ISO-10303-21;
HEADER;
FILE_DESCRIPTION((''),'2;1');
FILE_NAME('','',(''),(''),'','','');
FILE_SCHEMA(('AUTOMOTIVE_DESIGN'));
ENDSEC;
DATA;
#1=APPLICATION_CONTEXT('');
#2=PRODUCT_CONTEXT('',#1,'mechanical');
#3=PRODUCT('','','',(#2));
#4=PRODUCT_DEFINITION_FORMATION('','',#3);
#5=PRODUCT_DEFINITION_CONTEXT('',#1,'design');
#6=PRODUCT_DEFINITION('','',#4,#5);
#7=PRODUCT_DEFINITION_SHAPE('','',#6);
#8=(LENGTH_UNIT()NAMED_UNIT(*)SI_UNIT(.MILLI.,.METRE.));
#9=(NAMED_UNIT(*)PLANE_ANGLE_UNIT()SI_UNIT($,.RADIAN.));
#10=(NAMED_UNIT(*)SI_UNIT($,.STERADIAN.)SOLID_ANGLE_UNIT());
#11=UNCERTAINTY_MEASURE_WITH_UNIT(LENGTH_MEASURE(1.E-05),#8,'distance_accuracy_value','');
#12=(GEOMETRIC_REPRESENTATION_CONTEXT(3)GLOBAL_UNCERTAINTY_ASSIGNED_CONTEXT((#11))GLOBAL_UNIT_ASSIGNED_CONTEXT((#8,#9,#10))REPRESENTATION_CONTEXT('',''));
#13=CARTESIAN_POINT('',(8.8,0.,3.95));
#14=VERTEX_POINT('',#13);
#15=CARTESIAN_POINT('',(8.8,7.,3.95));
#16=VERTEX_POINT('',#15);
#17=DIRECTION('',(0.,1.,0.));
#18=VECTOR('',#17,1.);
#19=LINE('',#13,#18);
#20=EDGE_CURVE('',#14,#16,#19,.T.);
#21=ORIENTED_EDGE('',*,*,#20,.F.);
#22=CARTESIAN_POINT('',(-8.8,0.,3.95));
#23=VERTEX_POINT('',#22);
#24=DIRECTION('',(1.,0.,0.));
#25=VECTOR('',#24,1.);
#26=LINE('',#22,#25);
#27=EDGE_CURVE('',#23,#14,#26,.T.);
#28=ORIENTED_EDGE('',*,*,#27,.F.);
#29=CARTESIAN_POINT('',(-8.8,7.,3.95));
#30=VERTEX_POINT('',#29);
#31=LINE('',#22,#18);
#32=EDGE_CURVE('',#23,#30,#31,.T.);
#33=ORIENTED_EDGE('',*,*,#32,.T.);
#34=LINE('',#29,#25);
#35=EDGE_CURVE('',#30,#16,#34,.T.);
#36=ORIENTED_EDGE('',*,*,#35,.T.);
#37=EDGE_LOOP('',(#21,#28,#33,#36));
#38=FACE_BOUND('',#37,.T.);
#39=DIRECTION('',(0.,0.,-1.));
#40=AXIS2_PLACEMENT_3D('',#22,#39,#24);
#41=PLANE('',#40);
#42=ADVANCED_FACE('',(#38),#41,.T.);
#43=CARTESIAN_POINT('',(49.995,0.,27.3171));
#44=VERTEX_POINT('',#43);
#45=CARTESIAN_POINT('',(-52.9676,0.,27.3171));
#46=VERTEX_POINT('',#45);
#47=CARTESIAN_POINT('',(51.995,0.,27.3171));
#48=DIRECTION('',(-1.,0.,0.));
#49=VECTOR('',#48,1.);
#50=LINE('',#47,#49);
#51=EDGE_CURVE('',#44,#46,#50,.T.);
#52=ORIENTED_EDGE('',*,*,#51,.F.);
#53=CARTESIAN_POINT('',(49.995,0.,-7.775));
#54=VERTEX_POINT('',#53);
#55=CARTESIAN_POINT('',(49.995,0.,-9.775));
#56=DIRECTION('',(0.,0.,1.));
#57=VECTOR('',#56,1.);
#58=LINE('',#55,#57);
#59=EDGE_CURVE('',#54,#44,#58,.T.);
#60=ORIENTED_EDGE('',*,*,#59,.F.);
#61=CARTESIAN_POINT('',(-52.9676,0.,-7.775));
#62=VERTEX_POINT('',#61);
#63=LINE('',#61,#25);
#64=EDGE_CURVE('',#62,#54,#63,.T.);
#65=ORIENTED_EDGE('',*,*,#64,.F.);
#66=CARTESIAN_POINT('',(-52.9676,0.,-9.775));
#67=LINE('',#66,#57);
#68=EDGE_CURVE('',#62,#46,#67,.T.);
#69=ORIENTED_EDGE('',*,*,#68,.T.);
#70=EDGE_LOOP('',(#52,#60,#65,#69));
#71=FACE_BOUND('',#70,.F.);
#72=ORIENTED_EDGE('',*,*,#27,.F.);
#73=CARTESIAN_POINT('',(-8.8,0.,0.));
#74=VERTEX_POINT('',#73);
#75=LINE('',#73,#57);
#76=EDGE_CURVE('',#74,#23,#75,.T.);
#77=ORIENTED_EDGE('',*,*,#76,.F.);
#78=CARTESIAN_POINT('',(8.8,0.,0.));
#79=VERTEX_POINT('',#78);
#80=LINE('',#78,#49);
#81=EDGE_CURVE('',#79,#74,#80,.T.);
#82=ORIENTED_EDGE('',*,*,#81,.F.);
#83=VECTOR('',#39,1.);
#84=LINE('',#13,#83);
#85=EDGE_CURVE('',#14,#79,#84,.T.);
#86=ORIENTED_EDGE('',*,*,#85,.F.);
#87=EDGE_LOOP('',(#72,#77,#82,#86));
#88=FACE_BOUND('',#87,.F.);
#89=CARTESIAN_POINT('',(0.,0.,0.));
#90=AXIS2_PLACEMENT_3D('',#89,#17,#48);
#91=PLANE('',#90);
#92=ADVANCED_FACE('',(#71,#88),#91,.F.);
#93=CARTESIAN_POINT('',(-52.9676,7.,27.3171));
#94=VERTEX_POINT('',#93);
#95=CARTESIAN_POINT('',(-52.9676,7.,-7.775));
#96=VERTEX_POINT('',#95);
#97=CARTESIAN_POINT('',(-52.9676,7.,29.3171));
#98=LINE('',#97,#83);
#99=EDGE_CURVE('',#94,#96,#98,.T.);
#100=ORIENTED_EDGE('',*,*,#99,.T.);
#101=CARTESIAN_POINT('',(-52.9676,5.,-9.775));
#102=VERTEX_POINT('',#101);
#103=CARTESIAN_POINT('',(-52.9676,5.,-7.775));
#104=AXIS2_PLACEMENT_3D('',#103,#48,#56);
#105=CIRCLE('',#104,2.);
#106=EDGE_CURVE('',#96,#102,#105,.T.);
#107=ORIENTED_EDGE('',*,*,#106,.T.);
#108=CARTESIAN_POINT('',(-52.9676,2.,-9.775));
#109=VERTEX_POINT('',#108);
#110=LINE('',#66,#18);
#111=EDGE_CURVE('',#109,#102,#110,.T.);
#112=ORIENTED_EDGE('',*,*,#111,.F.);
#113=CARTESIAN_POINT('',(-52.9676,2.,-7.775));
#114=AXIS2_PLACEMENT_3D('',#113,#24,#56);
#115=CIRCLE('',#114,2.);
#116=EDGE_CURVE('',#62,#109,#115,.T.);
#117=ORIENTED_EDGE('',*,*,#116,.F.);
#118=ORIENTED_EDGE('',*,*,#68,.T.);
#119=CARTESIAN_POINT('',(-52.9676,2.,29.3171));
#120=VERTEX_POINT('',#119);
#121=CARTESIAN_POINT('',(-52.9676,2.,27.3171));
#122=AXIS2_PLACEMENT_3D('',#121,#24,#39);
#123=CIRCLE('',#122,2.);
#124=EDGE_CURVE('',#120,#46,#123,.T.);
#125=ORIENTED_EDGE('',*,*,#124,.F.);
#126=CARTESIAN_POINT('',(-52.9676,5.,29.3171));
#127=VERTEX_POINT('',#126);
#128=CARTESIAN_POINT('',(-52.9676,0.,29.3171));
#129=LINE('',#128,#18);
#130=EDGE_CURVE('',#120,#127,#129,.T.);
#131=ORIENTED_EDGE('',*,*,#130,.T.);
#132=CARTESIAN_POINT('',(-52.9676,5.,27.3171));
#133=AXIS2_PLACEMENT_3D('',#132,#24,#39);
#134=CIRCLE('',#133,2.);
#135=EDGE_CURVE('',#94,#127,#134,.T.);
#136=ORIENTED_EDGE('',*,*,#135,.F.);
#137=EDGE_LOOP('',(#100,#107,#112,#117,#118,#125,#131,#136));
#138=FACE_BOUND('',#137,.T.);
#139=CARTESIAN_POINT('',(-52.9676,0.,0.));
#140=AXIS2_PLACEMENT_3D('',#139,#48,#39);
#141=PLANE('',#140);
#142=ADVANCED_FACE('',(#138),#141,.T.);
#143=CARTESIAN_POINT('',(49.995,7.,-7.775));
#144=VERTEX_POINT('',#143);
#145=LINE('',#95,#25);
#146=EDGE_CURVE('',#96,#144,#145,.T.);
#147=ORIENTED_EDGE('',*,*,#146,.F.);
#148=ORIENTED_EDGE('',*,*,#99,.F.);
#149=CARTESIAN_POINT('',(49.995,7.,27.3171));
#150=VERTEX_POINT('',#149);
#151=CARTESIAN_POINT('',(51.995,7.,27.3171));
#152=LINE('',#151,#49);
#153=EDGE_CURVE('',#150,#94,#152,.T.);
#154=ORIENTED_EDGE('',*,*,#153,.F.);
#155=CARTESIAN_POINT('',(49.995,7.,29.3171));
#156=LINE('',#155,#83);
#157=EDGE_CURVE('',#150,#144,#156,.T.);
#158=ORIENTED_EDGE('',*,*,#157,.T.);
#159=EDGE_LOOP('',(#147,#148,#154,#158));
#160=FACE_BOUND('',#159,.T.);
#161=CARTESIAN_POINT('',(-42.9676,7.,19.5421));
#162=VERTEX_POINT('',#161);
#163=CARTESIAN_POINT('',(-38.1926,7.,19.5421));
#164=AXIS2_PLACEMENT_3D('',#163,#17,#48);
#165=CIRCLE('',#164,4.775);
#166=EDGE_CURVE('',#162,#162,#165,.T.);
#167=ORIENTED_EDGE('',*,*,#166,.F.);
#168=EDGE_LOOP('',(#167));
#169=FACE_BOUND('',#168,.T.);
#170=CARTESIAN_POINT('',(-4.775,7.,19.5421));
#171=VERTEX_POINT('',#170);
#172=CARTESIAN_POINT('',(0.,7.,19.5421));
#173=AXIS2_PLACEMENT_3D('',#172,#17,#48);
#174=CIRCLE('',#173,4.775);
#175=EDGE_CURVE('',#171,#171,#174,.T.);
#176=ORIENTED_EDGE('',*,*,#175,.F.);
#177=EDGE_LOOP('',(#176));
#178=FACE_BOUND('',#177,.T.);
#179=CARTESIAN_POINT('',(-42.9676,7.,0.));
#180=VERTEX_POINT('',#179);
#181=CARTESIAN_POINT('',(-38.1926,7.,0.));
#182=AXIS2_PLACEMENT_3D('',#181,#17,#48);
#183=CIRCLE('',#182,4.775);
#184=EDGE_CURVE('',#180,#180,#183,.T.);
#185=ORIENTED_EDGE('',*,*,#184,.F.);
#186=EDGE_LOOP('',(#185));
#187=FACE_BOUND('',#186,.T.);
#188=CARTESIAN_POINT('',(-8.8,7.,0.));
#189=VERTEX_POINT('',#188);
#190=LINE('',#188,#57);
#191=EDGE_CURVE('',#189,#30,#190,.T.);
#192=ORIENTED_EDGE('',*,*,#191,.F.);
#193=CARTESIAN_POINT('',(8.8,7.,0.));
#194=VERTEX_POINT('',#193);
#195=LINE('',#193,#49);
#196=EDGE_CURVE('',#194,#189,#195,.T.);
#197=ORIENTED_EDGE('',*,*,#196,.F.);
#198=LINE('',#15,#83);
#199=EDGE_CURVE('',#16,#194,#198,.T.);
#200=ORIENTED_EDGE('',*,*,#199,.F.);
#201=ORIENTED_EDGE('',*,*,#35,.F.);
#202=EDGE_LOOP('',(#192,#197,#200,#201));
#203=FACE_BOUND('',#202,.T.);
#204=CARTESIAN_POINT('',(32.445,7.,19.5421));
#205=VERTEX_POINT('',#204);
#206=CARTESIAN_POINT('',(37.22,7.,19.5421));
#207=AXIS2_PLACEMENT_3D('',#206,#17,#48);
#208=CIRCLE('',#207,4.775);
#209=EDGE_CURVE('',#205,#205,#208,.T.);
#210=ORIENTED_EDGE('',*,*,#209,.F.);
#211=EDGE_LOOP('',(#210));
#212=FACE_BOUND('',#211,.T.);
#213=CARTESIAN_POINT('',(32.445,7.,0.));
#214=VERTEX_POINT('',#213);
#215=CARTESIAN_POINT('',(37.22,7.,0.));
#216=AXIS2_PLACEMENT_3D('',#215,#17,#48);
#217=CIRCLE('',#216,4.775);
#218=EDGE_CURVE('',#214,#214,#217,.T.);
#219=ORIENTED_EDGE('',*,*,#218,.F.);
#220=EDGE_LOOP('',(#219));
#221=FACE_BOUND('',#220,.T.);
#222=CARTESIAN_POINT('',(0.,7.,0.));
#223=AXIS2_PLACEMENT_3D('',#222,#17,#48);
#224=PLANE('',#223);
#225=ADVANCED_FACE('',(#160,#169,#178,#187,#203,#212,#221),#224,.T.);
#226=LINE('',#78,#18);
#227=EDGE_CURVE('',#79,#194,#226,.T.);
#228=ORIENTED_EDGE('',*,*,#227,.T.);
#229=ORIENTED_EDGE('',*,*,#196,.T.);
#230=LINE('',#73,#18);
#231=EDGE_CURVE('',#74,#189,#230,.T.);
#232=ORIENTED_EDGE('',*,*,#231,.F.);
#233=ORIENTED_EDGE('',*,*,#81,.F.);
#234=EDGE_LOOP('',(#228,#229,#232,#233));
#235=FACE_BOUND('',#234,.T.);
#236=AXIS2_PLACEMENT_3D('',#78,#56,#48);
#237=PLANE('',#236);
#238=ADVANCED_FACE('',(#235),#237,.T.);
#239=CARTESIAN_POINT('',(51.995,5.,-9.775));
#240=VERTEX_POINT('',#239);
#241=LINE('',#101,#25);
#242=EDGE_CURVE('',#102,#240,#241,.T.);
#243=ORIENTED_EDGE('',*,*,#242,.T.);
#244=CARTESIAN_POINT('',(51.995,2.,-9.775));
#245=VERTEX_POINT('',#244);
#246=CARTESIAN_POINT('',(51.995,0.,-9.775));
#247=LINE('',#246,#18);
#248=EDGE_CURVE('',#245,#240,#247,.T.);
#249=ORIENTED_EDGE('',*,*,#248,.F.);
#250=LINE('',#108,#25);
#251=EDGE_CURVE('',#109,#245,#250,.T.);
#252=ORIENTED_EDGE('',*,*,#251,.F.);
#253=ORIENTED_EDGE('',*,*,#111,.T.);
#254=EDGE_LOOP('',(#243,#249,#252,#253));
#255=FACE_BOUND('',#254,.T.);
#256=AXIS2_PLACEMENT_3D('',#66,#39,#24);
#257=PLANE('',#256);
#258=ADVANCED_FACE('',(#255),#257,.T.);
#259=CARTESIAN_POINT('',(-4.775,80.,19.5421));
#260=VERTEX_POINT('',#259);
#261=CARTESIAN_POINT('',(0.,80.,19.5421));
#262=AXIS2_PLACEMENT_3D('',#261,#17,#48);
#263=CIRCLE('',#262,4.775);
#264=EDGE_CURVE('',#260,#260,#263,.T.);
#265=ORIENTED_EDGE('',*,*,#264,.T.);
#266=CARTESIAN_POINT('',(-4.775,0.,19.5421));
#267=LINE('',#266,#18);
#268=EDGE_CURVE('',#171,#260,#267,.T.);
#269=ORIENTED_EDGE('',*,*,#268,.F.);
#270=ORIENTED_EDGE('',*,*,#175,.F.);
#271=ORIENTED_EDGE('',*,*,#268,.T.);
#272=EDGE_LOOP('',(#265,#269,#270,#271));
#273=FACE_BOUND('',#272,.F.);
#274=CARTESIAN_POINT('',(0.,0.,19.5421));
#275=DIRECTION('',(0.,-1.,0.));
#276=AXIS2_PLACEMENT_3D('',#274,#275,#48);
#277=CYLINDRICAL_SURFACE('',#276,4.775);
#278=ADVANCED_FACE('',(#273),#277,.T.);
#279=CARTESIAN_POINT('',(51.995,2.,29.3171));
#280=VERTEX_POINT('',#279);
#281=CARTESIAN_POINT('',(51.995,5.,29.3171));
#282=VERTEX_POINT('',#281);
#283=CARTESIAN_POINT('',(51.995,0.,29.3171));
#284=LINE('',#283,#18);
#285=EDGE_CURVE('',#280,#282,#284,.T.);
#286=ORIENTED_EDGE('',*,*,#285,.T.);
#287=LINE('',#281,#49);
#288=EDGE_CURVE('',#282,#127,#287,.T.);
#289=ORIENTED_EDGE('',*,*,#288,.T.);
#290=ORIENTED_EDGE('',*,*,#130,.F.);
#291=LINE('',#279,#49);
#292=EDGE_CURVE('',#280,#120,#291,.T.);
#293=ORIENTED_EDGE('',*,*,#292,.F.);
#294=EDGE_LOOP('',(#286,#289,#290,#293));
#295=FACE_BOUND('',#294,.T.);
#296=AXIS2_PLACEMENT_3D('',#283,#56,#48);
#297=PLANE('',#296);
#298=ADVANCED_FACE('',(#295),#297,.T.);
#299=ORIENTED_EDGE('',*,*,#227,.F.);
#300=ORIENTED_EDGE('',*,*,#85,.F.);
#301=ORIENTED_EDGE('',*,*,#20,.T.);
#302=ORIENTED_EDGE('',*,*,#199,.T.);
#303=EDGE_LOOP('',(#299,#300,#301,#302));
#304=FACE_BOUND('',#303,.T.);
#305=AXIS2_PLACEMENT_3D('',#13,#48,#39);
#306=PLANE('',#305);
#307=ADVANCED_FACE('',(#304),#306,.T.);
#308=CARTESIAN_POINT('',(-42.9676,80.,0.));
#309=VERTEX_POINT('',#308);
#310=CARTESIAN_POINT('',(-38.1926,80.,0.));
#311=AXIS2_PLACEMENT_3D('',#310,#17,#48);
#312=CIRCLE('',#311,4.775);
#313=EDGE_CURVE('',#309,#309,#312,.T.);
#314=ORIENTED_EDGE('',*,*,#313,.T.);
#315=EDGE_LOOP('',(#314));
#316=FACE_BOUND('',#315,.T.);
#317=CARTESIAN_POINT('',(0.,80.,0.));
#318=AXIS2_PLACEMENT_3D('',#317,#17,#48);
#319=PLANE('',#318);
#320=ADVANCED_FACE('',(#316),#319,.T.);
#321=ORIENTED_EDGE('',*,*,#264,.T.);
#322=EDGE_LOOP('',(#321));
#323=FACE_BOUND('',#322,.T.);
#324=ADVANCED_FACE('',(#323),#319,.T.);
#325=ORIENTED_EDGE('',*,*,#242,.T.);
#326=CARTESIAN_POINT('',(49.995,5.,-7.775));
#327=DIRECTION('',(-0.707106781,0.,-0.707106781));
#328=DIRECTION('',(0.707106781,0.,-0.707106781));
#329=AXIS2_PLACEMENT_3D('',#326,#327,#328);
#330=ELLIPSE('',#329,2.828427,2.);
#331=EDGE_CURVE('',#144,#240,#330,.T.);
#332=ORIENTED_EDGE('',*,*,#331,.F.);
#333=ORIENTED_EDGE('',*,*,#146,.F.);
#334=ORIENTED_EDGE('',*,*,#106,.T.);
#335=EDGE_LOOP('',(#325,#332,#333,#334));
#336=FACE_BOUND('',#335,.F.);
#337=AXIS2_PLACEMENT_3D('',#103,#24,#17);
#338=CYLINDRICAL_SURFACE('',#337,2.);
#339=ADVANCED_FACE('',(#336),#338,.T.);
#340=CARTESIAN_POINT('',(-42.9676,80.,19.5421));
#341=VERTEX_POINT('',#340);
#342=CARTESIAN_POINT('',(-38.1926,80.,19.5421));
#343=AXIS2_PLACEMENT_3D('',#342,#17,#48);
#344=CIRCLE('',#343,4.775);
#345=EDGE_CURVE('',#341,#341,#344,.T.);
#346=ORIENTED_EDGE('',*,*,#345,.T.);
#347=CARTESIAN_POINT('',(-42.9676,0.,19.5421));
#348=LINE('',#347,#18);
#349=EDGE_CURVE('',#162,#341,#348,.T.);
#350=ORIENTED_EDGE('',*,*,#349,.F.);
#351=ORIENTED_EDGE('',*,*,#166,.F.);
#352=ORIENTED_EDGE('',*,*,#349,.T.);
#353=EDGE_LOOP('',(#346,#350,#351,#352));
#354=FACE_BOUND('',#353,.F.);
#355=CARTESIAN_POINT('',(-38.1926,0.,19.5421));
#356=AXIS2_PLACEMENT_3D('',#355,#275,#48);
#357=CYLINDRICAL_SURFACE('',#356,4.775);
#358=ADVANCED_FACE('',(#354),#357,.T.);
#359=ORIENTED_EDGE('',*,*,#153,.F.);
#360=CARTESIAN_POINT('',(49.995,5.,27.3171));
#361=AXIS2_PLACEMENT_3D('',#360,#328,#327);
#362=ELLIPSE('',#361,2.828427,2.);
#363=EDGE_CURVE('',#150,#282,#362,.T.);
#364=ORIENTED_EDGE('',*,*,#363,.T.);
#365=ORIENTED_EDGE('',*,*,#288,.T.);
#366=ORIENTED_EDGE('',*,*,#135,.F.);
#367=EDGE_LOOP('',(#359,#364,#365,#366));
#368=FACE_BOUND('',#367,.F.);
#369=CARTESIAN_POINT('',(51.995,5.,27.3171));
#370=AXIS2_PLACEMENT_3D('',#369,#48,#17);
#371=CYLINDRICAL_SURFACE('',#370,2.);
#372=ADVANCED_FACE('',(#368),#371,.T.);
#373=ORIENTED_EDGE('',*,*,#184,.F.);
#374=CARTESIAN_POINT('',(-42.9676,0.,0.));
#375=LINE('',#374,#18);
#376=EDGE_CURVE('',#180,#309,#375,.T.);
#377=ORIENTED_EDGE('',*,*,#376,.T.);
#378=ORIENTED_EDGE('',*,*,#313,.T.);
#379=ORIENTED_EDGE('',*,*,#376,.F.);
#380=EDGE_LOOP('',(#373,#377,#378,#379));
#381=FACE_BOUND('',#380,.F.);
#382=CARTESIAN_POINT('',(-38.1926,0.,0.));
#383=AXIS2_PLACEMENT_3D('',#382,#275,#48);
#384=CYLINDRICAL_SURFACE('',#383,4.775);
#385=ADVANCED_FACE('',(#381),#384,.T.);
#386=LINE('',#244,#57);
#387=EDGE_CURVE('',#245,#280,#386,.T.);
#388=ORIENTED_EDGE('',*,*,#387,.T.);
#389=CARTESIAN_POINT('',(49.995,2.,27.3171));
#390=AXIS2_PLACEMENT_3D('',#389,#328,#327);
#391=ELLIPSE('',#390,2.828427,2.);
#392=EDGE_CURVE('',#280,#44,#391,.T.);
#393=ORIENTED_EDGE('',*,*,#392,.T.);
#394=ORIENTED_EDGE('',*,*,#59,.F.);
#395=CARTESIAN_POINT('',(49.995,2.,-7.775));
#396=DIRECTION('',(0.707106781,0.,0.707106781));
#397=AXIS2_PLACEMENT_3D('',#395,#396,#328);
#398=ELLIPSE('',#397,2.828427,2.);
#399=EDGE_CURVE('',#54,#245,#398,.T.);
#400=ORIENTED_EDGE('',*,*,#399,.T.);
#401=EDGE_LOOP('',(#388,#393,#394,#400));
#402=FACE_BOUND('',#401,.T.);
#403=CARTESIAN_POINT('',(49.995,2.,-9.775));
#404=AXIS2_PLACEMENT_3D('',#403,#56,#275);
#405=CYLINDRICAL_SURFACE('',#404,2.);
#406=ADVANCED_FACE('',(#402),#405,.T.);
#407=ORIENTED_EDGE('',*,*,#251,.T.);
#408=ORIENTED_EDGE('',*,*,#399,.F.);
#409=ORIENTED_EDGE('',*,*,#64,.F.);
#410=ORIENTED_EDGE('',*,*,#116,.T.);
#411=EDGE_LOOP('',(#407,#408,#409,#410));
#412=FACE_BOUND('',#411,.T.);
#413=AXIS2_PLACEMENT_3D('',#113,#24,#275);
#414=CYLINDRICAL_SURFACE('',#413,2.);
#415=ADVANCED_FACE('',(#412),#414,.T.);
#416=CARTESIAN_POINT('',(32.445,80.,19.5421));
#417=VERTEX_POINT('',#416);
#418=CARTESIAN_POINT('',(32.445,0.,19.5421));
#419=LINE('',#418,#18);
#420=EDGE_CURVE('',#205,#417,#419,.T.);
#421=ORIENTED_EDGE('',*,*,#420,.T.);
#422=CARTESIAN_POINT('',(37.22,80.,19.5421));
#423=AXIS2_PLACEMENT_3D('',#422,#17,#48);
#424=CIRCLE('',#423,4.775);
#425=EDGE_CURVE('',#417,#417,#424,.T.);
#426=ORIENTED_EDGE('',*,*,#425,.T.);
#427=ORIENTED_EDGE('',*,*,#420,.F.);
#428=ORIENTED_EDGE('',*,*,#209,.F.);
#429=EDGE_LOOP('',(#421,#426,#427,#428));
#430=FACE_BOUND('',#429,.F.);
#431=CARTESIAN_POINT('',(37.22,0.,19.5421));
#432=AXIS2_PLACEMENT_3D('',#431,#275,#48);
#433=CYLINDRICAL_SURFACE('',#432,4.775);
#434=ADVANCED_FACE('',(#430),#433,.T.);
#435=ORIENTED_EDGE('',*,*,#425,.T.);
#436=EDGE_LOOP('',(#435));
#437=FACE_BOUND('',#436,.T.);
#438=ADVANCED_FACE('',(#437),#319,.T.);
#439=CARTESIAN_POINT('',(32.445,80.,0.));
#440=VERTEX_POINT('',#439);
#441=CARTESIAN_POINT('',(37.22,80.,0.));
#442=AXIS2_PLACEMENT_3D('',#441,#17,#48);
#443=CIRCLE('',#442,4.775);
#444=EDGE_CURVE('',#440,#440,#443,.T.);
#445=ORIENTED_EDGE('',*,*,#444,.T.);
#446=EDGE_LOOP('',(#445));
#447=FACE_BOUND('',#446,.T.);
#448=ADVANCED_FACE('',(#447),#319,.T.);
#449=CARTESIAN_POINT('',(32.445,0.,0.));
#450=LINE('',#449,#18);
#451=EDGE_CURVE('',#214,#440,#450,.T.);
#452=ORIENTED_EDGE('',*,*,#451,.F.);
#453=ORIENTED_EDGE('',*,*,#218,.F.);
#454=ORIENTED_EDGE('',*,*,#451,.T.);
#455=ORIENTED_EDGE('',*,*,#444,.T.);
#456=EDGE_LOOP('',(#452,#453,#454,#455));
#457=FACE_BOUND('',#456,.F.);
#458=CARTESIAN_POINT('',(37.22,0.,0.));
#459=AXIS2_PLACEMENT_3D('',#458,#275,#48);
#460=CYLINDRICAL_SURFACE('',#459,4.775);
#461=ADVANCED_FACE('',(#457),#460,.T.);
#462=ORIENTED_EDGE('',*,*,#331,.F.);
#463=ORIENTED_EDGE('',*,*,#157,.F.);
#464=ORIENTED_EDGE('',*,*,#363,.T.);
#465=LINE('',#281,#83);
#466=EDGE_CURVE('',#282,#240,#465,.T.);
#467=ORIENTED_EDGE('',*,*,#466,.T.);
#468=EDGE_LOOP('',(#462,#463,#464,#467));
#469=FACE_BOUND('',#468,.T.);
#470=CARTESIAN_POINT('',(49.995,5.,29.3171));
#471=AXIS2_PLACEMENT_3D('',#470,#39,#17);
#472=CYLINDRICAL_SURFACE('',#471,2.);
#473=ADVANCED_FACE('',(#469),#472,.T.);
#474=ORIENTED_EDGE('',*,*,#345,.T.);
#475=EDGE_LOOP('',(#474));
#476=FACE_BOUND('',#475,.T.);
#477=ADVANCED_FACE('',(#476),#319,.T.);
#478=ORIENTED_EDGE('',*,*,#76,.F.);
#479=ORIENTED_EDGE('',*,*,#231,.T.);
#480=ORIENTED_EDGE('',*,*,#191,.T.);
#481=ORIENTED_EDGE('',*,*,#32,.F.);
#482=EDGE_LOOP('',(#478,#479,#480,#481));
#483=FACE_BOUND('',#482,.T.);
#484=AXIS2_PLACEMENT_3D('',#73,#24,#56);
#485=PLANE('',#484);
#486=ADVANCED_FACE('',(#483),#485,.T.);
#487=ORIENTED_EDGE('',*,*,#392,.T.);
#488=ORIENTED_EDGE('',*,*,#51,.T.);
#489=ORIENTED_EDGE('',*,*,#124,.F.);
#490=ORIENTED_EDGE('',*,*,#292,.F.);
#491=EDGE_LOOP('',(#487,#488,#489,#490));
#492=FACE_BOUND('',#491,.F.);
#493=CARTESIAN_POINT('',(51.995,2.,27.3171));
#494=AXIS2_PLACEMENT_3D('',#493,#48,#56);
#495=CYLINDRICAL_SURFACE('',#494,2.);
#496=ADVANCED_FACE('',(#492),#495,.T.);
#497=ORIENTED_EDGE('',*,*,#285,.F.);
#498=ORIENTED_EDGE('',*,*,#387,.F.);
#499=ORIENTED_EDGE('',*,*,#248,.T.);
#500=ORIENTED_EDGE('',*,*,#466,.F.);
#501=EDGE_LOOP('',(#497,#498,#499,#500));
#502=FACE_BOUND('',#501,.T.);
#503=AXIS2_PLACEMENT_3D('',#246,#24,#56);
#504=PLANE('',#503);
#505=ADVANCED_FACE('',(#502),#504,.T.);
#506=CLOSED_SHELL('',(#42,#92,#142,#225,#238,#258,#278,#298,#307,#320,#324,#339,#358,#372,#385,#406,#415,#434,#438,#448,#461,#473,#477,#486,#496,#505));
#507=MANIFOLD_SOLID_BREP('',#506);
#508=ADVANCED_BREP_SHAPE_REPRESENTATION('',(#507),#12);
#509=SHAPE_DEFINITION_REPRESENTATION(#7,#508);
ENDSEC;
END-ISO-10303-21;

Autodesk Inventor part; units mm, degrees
ref_plane "YZ Plane" through (0, 0, 0) normal (1, 0, 0) x (0, 1, 0)
ref_plane "XZ Plane" through (0, 0, 0) normal (0, 1, 0) x (-1, 0, 0)
ref_plane "XY Plane" through (0, 0, 0) normal (0, 0, 1) x (1, 0, 0)
sketch "Sketch1" plane through (0, 0, 0) normal (0, 1, 0) x (-1, 0, 0)
  circle A0 centre (0, 19.5421) radius 4.775
  circle A1 centre (-37.22, 0) radius 4.775
  circle A2 centre (38.1926, 0) radius 4.775
  circle A3 centre (38.1926, 19.5421) radius 4.775
  circle A4 centre (-37.22, 19.5421) radius 4.775
  line L0 (52.9676, 0) -> (52.9676, -4.775)
  line L1 (52.9676, -9.775) -> (-51.995, -9.775)
  line L2 (-51.995, -9.775) -> (-51.995, 24.3171)
  line L3 (-51.995, 24.3171) -> (-51.995, 29.3171)
  line L4 (-51.995, 29.3171) -> (52.9676, 29.3171)
  line L5 (52.9676, 29.3171) -> (52.9676, -9.775)
  line L6 (-8.8, 0) -> (8.8, 0)
  line L7 (8.8, 0) -> (8.8, 3.95)
  line L8 (8.8, 3.95) -> (-8.8, 3.95)
  line L9 (-8.8, 3.95) -> (-8.8, 0)
  point P0 (0, 0)
  point P1 (0, 0)
  dimension "d6" = 9.55
  dimension "d8" = 9.55
  dimension "d10" = 9.55
  dimension "d11" = 9.55
  dimension "d12" = 9.55
  dimension "d24" = 5
  dimension "d26" = 17.6
  dimension "d27" = 3.95
extrude "Extrusion1" add sketch "Sketch1" along normal blind 7
extrude "Extrusion2" add sketch "Sketch1" along normal blind 80 contours A2 | A3
extrude "Extrusion3" add sketch "Sketch1" along normal blind 80 contours A1
extrude "Extrusion4" add sketch "Sketch1" along normal blind 80 contours A4
extrude "Extrusion5" add sketch "Sketch1" along normal blind 80 contours A0
fillet "Fillet1" radius 2 3 edges at (51.995, 7, 9.771) (-0.4863, 7, -9.775) (-0.4863, 7, 29.3171)
fillet "Fillet2" radius 2 3 edges at (-0.4863, 0, 29.3171) (-0.4863, 0, -9.775) (51.995, 0, 9.771)
properties part number "BluetoothBase"
